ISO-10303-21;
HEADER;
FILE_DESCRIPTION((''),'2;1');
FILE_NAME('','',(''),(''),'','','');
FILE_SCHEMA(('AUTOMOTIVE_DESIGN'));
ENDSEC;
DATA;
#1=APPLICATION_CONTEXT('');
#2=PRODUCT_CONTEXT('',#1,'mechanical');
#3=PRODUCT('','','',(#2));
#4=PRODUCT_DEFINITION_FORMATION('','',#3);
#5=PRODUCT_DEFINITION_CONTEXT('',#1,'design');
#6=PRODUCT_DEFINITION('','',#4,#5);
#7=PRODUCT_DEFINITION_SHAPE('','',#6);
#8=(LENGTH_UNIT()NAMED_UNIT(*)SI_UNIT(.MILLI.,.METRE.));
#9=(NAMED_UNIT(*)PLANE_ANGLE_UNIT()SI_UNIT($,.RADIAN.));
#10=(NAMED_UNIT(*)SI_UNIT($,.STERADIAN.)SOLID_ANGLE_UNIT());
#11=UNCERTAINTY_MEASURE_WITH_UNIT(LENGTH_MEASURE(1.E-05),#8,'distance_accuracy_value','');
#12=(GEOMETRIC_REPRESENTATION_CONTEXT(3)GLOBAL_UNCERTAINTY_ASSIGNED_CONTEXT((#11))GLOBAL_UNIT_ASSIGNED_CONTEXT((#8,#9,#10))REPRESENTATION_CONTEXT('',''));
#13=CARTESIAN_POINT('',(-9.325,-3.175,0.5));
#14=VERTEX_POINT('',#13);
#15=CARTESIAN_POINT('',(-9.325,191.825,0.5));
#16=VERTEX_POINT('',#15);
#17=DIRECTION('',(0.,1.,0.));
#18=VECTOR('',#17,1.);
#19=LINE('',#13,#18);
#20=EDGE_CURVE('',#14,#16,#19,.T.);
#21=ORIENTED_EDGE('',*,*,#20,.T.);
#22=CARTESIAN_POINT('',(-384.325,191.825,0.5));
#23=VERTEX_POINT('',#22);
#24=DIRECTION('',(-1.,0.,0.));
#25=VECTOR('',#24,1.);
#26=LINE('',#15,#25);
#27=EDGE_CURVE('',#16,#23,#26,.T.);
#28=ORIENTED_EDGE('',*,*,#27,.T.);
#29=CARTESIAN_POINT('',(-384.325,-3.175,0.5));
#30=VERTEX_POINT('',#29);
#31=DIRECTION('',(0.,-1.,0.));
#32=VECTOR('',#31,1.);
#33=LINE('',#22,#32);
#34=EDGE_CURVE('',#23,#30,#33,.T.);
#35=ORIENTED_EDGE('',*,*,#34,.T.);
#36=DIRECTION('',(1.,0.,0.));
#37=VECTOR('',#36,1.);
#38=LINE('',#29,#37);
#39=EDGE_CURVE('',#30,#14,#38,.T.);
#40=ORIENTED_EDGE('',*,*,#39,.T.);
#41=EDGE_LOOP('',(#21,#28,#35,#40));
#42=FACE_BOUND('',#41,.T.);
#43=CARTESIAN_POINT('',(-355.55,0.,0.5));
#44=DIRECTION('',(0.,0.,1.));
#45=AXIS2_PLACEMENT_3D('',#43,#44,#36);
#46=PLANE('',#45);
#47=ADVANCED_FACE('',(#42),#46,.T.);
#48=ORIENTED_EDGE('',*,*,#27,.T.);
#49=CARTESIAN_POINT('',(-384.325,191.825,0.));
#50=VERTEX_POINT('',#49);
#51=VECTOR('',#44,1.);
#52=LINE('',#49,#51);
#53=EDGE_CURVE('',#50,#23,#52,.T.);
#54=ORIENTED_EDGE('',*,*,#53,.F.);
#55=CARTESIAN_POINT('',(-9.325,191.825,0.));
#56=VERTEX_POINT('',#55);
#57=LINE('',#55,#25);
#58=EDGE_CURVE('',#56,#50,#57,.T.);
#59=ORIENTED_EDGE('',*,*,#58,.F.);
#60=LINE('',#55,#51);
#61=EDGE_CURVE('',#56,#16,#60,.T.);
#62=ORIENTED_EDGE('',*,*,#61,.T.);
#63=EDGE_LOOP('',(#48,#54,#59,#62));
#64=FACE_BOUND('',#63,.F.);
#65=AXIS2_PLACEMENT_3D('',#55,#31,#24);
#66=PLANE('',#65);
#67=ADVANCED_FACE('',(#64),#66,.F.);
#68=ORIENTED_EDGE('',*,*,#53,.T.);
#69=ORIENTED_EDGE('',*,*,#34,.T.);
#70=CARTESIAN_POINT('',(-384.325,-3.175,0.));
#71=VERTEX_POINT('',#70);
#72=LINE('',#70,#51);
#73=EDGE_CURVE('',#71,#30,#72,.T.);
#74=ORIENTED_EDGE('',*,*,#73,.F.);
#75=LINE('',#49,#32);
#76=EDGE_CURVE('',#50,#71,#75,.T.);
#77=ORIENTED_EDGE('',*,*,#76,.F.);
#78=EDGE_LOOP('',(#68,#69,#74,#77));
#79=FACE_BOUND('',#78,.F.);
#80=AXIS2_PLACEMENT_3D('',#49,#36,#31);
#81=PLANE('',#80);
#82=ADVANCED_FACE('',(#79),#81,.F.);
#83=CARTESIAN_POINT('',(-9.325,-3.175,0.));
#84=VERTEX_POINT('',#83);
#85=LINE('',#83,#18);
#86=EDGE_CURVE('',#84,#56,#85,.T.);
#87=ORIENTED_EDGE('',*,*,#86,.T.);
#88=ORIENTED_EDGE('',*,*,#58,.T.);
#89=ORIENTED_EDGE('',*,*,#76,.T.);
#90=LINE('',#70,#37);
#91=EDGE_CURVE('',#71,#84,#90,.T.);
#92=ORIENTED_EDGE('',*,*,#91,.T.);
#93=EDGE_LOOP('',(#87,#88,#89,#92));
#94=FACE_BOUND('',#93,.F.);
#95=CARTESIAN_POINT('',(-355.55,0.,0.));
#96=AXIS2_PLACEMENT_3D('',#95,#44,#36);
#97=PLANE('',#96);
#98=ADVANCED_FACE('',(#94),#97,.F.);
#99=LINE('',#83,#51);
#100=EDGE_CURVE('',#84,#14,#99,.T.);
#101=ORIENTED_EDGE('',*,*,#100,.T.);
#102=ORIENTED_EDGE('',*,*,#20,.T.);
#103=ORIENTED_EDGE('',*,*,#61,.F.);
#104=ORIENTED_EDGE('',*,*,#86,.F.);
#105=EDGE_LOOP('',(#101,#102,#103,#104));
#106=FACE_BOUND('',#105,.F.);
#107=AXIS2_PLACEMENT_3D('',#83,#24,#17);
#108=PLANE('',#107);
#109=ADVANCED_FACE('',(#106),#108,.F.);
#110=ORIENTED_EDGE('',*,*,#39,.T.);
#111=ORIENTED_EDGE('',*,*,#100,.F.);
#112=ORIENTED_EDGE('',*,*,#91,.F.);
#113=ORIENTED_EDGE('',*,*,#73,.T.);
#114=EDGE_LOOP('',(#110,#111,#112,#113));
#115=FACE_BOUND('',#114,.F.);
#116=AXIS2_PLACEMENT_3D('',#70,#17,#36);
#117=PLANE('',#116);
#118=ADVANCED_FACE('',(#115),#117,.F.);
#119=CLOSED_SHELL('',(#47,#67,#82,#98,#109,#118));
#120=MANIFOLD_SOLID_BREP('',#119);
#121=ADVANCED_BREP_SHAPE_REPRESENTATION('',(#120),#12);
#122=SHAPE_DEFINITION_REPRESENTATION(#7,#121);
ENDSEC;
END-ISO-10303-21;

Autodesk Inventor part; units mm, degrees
ref_plane "YZ Plane" through (0, 0, 0) normal (1, 0, 0) x (0, 1, 0)
ref_plane "XZ Plane" through (0, 0, 0) normal (0, 1, 0) x (-1, 0, 0)
ref_plane "XY Plane" through (0, 0, 0) normal (0, 0, 1) x (1, 0, 0)
ref_plane "Work Plane1" through (-355.55, 0, 0) normal (0, 0, 1) x (1, 0, 0)
sketch "Sketch1" plane through (-355.55, 0, 0) normal (0, 0, 1) x (1, 0, 0)
  line L0 (-28.775, -3.175) -> (346.225, -3.175)
  line L1 (346.225, -3.175) -> (346.225, 191.825)
  line L2 (346.225, 191.825) -> (-28.775, 191.825)
  line L3 (-28.775, 191.825) -> (-28.775, -3.175)
  line L4 (539.675, -3.175) -> (-222.225, -3.175)
  line L5 (-44.45, 0) -> (-44.45, 174.6)
  line L6 (361.9, 0) -> (361.9, 174.6)
  point P0 (355.55, 0)
  dimension "d0" = 195
  dimension "d1" = 375
  dimension "d2" = 15.675
  dimension "d3" = 15.675
extrude "Plate1" add sketch "Sketch1" along normal blind 0.5
equation "\"d4\" = Thickness"
equation "\"BendRadius\" = Thickness"
equation "\"BendReliefWidth\" = Thickness"
equation "\"BendReliefDepth\" = 0.5 * Thickness"
equation "\"CornerReliefSize\" = 4 * Thickness"
equation "\"MinimumRemnant\" = 2 * Thickness"
equation "\"TransitionRadius\" = BendRadius"
equation "\"JacobiRadiusSize\" = BendRadius"
equation "\"GapSize\" = Thickness"
equation "\"Thickness\" = 0.5"
properties part number "GEAR_REST" material "Stainless Steel"
